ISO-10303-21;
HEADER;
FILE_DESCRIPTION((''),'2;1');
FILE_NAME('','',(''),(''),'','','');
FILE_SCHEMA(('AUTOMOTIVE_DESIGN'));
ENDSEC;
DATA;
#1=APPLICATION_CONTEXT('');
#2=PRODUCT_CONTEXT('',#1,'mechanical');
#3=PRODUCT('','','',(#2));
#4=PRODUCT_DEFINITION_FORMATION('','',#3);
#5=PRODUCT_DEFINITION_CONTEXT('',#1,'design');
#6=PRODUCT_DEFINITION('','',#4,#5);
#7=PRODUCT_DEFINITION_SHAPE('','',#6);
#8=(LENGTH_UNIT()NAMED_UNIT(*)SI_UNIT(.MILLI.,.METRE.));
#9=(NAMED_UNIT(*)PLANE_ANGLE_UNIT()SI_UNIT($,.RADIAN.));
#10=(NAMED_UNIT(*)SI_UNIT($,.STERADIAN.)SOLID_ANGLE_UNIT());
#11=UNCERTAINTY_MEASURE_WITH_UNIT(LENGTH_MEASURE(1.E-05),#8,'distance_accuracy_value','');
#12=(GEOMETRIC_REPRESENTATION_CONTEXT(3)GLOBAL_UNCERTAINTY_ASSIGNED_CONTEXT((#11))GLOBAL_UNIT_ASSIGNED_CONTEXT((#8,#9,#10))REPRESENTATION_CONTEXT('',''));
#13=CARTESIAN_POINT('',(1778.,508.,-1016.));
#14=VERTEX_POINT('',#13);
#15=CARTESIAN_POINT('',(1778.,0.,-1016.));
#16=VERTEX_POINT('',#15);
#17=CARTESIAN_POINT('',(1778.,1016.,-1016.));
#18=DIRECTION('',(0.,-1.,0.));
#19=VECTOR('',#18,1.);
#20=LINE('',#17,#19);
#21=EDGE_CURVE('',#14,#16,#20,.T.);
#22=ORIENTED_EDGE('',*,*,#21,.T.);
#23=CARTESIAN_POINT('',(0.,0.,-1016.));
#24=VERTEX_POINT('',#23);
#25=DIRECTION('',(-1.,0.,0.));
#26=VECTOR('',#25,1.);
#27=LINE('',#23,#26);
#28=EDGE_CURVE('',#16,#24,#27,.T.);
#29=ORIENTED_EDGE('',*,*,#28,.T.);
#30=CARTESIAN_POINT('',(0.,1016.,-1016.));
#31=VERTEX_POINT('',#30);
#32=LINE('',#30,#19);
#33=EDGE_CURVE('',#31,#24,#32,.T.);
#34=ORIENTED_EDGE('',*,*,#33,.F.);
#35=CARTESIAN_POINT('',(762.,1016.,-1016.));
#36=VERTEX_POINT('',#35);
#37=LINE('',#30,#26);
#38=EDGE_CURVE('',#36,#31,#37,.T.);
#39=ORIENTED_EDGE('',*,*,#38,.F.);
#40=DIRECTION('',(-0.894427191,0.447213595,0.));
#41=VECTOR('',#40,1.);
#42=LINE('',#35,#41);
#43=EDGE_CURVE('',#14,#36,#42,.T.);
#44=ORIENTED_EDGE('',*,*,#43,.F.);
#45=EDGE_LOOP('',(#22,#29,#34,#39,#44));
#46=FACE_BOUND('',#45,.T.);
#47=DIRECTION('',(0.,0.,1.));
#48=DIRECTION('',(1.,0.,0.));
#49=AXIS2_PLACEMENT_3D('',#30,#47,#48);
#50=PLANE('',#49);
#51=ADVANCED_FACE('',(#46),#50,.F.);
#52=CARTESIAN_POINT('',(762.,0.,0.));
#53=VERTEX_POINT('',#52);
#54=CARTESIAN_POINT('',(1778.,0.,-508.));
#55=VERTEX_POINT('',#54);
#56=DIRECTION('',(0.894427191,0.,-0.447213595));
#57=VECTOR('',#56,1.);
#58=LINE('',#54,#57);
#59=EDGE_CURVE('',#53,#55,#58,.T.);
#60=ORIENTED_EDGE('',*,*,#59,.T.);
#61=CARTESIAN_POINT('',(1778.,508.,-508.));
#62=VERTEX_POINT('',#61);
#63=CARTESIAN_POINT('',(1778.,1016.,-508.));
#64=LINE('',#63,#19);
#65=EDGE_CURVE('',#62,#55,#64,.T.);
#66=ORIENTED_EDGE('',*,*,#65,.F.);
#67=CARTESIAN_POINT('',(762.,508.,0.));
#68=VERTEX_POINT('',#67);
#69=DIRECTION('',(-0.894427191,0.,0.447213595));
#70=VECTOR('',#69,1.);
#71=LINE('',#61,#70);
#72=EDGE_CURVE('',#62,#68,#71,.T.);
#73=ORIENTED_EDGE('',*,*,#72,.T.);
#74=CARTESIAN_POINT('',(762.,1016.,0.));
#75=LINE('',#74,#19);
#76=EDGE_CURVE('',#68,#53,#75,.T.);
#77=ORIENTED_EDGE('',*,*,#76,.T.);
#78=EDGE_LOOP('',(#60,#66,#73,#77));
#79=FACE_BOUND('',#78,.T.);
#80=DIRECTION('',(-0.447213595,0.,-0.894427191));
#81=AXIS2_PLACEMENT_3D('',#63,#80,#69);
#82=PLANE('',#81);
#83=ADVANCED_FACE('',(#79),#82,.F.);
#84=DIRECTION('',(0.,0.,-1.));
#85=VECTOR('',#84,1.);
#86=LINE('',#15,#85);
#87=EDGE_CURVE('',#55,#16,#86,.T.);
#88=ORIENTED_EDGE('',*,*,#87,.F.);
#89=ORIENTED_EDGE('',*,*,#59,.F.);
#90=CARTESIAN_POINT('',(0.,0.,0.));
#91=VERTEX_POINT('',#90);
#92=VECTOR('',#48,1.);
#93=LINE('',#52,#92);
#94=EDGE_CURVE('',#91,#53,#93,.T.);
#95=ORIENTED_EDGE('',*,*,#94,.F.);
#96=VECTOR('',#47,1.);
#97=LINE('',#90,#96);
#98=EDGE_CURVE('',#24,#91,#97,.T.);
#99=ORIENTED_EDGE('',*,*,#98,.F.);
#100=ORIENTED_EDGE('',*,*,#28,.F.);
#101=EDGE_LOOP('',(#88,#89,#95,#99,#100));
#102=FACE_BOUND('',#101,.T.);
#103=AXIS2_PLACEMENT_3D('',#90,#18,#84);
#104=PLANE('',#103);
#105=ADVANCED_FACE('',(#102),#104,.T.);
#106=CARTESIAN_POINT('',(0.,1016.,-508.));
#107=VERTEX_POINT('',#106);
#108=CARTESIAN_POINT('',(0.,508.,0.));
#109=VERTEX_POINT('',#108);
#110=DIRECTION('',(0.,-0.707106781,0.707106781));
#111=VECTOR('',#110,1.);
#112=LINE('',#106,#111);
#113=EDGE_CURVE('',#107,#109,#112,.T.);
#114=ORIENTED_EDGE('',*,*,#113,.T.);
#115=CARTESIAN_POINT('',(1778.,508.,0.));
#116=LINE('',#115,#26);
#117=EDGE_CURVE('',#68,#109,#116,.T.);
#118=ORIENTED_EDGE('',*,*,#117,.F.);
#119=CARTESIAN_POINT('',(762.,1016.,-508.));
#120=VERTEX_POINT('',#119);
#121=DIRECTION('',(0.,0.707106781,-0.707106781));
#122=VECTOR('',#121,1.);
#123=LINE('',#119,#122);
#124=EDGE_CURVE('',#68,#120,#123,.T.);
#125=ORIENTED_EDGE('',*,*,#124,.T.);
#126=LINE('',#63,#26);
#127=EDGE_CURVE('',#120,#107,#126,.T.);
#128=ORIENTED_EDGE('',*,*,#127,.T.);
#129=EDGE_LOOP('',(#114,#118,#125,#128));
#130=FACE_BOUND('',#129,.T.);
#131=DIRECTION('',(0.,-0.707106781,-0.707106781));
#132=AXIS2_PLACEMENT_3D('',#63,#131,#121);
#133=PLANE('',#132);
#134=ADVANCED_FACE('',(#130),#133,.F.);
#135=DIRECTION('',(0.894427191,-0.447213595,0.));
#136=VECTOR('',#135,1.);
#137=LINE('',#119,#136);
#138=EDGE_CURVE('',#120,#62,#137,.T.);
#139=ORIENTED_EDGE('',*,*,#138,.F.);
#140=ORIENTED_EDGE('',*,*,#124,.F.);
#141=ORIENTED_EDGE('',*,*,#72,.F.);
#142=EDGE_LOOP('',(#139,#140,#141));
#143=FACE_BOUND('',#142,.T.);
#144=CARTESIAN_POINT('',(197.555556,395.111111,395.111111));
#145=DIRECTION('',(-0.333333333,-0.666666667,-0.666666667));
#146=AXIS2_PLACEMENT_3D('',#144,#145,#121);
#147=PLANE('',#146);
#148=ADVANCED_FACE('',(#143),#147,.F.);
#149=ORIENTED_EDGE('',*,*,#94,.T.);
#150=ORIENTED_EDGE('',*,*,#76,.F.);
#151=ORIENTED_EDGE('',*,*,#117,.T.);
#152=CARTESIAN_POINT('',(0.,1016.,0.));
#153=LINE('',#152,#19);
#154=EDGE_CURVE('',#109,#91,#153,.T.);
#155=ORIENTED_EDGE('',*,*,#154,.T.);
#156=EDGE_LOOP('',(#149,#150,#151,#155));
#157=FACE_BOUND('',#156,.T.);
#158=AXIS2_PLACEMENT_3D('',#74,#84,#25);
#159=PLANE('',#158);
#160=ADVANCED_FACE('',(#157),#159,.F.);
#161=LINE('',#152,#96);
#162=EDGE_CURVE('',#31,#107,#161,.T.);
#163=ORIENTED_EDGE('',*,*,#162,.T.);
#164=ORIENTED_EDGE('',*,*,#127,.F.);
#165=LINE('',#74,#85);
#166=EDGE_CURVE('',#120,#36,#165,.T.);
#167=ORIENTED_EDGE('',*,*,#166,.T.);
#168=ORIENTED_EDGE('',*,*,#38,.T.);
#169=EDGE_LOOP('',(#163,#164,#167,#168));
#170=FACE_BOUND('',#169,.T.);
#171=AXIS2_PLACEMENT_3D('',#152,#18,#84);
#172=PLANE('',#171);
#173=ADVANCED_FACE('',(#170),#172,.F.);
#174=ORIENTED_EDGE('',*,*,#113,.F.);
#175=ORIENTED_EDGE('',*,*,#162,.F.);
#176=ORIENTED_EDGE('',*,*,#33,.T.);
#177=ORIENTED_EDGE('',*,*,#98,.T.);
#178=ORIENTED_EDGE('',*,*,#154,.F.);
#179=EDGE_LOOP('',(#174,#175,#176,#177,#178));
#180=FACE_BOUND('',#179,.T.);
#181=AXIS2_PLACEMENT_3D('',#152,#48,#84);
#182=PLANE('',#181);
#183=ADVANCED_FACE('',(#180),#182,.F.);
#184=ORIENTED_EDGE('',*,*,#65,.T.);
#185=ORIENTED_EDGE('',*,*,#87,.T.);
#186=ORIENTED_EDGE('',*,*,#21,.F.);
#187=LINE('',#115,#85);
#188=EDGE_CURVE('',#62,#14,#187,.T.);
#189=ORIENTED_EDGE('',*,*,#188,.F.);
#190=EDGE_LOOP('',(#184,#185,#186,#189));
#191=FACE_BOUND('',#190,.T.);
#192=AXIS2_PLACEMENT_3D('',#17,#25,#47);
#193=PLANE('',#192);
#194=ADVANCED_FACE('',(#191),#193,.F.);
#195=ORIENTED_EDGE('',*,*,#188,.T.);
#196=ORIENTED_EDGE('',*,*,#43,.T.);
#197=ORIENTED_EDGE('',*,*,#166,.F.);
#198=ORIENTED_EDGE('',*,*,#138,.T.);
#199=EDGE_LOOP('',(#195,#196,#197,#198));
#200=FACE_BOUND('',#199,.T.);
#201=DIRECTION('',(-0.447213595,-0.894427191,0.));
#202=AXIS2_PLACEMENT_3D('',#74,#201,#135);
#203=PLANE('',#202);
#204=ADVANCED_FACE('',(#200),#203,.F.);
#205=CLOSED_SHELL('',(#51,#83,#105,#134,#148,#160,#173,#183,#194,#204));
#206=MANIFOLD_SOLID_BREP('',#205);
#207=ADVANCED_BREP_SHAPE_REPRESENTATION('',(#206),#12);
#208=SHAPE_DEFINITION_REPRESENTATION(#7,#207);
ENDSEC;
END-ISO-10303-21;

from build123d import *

# Parameters (mm, degrees)
BOSS_EXTRUDE1_DEPTH = 1016
CUT_EXTRUDE1_DEPTH  = 2287
CUT_EXTRUDE2_DEPTH  = 2287


with BuildPart() as part:
    # Sketch1 → Boss-Extrude1 (new body)
    with BuildSketch(Plane(origin=(0, 0, 0), x_dir=(1, 0, 0), z_dir=(0, 1, 0))):
        Polygon((0, 0), (0, 1016), (1778, 1016), (1778, 508), (762, 0), align=None)
    extrude(amount=BOSS_EXTRUDE1_DEPTH)

    # Sketch2 → Cut-Extrude1 (cut, through all)
    with BuildSketch(Plane(origin=(0, 0, -1016), x_dir=(-1, 0, 0), z_dir=(0, 0, -1))):
        Polygon((-762, 1016), (-1778, 508), (-1778, 1016), align=None)
    extrude(amount=-CUT_EXTRUDE1_DEPTH, mode=Mode.SUBTRACT)

    # Sketch3 → Cut-Extrude2 (cut, through all)
    with BuildSketch(Plane.ZY):
        Polygon((-508, 1016), (0, 508), (0, 1016), align=None)
    extrude(amount=-CUT_EXTRUDE2_DEPTH, mode=Mode.SUBTRACT)

    # SurfaceCut1
    split(bisect_by=Plane(origin=(197.555555556, 395.111111111, 395.111111111), x_dir=(-0.9428090415820636, 0.23570226039551598, 0.235702260395515), z_dir=(-0.33333333333333287, -0.6666666666666685, -0.6666666666666652)), keep=Keep.TOP)


solid = part.part
